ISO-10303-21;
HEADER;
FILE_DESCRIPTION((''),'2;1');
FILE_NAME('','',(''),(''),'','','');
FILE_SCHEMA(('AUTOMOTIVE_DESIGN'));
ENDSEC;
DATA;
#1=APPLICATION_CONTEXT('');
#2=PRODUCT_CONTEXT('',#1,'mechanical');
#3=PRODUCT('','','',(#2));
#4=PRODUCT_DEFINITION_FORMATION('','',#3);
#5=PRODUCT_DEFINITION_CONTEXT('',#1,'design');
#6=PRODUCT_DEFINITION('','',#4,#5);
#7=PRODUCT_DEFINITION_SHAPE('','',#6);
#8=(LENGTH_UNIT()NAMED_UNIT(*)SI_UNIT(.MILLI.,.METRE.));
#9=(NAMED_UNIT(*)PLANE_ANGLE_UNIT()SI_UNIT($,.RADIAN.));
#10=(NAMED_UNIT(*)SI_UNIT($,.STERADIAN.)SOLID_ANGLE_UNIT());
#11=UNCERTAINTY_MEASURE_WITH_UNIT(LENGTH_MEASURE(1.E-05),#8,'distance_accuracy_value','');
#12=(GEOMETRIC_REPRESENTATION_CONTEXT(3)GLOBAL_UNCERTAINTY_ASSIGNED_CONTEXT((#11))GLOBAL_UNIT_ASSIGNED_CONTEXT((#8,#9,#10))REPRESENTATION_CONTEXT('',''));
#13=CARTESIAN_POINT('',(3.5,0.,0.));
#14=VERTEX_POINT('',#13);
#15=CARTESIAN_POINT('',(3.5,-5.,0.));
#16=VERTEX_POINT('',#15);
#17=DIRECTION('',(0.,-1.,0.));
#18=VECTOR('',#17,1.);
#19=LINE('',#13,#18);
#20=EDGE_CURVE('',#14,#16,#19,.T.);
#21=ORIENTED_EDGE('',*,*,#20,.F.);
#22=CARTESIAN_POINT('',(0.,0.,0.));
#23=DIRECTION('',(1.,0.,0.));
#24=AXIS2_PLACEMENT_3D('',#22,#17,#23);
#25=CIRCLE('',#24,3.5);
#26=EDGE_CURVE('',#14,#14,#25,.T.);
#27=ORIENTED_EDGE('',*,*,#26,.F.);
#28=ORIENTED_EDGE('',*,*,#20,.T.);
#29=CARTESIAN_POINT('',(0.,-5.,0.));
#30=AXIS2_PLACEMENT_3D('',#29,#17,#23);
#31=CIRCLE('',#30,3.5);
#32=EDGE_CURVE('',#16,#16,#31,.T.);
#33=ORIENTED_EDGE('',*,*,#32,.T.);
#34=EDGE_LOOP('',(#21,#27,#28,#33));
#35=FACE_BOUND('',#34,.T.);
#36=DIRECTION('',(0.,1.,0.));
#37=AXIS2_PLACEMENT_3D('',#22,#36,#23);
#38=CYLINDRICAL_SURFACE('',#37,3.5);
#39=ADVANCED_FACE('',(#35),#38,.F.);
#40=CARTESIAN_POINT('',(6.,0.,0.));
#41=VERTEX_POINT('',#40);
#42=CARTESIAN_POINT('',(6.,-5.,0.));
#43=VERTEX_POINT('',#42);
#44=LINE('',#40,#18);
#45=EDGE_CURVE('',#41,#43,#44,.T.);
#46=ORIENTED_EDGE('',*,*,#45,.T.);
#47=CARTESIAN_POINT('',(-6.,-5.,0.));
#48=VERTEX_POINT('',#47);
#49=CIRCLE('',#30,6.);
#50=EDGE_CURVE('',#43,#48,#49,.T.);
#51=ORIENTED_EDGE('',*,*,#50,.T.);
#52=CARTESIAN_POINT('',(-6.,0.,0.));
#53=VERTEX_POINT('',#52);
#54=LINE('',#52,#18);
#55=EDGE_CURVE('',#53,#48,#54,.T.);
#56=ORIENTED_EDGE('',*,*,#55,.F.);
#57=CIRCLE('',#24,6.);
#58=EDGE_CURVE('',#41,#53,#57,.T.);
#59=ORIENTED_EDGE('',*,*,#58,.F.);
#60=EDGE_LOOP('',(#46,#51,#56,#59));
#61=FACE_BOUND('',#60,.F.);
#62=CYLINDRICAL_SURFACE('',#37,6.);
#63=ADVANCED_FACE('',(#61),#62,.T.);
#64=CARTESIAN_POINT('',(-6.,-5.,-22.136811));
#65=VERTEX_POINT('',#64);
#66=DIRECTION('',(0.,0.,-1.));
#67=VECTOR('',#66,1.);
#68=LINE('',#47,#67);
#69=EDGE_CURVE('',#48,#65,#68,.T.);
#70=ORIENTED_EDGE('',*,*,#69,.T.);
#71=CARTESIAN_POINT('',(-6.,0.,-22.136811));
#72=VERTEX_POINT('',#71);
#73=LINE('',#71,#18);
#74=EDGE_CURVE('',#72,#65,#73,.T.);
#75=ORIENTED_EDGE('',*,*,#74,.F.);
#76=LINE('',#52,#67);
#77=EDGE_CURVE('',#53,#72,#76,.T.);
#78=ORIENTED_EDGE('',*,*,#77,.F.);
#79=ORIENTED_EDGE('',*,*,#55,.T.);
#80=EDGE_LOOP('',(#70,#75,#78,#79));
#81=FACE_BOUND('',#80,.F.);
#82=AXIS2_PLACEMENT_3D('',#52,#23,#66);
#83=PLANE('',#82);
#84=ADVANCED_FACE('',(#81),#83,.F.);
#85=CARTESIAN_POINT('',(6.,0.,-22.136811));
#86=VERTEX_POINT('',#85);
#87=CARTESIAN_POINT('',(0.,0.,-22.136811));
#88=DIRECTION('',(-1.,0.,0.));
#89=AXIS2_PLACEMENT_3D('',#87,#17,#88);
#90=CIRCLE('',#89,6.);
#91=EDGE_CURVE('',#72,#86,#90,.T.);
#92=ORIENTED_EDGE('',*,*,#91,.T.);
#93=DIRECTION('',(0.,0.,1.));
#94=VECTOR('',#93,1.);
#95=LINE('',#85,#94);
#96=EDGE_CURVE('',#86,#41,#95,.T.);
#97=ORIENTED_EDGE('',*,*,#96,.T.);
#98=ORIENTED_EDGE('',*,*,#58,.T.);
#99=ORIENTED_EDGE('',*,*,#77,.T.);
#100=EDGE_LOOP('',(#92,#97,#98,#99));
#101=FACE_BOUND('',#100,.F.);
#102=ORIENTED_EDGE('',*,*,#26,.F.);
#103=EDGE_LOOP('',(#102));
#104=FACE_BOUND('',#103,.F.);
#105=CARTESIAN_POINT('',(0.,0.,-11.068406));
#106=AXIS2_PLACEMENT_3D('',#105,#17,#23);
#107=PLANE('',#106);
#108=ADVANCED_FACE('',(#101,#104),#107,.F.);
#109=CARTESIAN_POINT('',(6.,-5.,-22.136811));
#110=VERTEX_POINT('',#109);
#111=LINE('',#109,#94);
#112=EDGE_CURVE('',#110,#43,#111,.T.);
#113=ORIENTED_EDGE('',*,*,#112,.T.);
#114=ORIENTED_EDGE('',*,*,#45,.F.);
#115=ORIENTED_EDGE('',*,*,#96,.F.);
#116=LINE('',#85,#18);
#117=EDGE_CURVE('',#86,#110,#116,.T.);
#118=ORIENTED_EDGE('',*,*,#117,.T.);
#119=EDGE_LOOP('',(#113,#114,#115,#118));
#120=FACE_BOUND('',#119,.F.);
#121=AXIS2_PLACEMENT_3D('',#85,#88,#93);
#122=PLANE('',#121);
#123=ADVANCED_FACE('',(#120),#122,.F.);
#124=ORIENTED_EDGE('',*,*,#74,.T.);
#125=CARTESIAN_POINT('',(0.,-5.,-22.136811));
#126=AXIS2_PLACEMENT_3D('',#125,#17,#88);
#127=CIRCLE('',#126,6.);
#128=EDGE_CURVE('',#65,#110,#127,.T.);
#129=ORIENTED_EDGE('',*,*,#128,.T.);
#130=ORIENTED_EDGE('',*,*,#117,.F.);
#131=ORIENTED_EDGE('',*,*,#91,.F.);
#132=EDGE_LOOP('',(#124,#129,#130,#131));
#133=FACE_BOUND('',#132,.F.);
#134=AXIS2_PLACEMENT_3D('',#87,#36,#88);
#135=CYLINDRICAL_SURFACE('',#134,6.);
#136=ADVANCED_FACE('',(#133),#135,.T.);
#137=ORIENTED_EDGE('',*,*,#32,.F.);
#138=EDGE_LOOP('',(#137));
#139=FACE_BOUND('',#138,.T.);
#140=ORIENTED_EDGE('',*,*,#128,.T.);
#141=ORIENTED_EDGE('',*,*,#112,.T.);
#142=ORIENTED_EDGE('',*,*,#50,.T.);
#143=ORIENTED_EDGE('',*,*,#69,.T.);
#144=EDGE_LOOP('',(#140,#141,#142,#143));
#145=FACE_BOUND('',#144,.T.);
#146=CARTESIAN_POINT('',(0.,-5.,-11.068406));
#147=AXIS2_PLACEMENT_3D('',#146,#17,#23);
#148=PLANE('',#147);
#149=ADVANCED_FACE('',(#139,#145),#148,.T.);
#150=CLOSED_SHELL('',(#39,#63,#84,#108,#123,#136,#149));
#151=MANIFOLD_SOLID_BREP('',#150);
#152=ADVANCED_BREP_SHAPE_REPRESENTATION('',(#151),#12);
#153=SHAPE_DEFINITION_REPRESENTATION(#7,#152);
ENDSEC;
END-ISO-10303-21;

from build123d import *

# Parameters (mm, degrees)
F0_R     = 3.5
F1_DEPTH = 5


with BuildPart() as f1:
    # F0 (on Front) → F1 (new body)
    with BuildSketch(Plane.XZ):
        with BuildLine():
            Line((6, -22.136811), (6, 0))
            ThreePointArc((6, 0), (0, 6), (-6, 0))
            Line((-6, 0), (-6, -22.136811))
            ThreePointArc((-6, -22.136811), (0, -28.136811), (6, -22.136811))
        make_face()
        Circle(F0_R, mode=Mode.SUBTRACT)
    extrude(amount=F1_DEPTH)


solid = f1.part
